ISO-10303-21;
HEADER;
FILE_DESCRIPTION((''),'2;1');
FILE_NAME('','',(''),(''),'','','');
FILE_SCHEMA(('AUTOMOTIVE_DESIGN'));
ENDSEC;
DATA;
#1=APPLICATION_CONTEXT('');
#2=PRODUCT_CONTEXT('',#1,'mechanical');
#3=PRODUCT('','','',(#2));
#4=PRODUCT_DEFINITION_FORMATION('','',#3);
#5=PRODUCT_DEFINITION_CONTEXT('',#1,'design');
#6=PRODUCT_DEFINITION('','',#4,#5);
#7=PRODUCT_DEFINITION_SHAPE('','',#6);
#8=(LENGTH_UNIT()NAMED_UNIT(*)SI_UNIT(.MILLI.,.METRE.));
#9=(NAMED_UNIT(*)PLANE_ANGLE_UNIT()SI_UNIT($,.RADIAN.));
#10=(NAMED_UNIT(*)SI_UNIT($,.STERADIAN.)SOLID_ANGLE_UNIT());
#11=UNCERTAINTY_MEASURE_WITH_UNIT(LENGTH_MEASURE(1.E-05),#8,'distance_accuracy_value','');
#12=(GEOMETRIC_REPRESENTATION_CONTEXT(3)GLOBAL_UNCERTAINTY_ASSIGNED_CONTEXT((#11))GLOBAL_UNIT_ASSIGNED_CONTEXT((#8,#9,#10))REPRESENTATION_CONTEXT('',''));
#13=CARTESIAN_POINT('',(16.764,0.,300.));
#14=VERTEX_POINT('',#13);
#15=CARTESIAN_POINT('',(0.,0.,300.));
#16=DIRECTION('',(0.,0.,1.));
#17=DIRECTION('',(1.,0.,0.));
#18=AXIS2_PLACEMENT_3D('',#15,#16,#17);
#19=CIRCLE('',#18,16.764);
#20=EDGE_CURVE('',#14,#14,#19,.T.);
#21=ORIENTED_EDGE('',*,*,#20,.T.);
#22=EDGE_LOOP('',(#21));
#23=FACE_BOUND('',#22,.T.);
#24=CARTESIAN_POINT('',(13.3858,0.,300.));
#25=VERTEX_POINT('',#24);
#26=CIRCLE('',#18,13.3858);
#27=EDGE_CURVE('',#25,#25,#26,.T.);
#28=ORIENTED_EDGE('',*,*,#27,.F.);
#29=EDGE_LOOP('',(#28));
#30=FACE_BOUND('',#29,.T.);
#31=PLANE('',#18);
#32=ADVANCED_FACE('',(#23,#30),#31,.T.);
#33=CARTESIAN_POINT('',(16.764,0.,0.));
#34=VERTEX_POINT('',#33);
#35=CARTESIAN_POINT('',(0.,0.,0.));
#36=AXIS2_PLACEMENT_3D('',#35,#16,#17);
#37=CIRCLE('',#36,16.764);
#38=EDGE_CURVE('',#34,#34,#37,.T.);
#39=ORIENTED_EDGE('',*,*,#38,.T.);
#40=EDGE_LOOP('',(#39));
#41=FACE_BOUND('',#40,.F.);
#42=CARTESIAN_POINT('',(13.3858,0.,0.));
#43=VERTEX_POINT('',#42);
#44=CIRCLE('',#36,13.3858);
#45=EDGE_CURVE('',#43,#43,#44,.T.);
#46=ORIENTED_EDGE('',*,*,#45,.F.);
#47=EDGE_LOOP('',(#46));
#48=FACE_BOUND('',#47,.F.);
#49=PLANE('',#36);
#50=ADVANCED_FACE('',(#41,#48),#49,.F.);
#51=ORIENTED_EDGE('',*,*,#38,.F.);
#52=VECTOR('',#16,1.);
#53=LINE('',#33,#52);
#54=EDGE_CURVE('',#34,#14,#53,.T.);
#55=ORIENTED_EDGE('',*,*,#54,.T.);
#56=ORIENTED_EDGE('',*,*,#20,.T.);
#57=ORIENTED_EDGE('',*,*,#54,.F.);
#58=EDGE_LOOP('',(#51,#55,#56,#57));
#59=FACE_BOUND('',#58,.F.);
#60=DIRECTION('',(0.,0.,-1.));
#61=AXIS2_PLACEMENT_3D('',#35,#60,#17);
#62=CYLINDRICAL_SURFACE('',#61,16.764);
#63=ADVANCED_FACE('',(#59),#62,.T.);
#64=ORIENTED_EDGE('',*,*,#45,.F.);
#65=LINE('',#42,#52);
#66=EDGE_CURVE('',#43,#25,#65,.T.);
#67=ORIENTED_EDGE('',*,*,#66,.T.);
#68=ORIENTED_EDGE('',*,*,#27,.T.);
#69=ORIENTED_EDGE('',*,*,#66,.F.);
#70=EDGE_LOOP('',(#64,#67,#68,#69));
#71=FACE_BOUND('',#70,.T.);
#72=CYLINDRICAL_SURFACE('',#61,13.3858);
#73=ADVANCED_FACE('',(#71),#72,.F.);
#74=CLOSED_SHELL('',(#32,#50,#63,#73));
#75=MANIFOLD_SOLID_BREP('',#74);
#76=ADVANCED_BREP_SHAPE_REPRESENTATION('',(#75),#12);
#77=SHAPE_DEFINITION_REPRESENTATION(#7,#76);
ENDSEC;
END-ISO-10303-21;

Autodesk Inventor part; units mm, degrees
ref_plane "YZ Plane" through (0, 0, 0) normal (1, 0, 0) x (0, 1, 0)
ref_plane "Start plane" through (0, 0, 0) normal (0, 0, 1) x (1, 0, 0)
ref_plane "End plane" through (0, 0, 300) normal (0, 0, 1) x (1, 0, 0)
sketch "Sketch" plane through (0, 0, 0) normal (0, 0, 1) x (1, 0, 0)
  circle A0 centre (0, 0) radius 13.3858
  circle A1 centre (0, 0) radius 16.764
  dimension "d0" = 33.528
  dimension "d1" = 3.3782
extrude "Body" add sketch "Sketch" along normal up to surface (300 mm away) from surface at 0
sketch "Sketch3" plane through (0, 0, 0) normal (0, 0, 1) x (1, 0, 0)
  line L0 (0, 0) -> (10, 0)
ref_plane "Work Plane3" through (0, 0, 0) normal (0, -1, 0) x (1, 0, 0)
sketch "Sketch4" plane through (0, 0, 0) normal (0, -1, 0) x (1, 0, 0)
  line L0 (-2, 0) -> (12, 0) projected
  line L1 (-2, 300) -> (12, 300) projected
  dimension "d7" = 300
equation "\"d0\" = G_H"
equation "\"d1\" = G_T"
equation "\"d2\" = G_L"
equation "\"G_H\" = 33.528"
equation "\"G_T\" = 3.3782"
equation "\"G_L\" = d7"
equation "\"G_OFFSET_START\" = 0"
equation "\"G_OFFSET_END\" = 0"
equation "\"d5\" = G_OFFSET_END + B_L"
equation "\"B_L\" = 300"
properties part number "ANSI - 1 x 0.133 - 11.811" material "Steel, Mild"
